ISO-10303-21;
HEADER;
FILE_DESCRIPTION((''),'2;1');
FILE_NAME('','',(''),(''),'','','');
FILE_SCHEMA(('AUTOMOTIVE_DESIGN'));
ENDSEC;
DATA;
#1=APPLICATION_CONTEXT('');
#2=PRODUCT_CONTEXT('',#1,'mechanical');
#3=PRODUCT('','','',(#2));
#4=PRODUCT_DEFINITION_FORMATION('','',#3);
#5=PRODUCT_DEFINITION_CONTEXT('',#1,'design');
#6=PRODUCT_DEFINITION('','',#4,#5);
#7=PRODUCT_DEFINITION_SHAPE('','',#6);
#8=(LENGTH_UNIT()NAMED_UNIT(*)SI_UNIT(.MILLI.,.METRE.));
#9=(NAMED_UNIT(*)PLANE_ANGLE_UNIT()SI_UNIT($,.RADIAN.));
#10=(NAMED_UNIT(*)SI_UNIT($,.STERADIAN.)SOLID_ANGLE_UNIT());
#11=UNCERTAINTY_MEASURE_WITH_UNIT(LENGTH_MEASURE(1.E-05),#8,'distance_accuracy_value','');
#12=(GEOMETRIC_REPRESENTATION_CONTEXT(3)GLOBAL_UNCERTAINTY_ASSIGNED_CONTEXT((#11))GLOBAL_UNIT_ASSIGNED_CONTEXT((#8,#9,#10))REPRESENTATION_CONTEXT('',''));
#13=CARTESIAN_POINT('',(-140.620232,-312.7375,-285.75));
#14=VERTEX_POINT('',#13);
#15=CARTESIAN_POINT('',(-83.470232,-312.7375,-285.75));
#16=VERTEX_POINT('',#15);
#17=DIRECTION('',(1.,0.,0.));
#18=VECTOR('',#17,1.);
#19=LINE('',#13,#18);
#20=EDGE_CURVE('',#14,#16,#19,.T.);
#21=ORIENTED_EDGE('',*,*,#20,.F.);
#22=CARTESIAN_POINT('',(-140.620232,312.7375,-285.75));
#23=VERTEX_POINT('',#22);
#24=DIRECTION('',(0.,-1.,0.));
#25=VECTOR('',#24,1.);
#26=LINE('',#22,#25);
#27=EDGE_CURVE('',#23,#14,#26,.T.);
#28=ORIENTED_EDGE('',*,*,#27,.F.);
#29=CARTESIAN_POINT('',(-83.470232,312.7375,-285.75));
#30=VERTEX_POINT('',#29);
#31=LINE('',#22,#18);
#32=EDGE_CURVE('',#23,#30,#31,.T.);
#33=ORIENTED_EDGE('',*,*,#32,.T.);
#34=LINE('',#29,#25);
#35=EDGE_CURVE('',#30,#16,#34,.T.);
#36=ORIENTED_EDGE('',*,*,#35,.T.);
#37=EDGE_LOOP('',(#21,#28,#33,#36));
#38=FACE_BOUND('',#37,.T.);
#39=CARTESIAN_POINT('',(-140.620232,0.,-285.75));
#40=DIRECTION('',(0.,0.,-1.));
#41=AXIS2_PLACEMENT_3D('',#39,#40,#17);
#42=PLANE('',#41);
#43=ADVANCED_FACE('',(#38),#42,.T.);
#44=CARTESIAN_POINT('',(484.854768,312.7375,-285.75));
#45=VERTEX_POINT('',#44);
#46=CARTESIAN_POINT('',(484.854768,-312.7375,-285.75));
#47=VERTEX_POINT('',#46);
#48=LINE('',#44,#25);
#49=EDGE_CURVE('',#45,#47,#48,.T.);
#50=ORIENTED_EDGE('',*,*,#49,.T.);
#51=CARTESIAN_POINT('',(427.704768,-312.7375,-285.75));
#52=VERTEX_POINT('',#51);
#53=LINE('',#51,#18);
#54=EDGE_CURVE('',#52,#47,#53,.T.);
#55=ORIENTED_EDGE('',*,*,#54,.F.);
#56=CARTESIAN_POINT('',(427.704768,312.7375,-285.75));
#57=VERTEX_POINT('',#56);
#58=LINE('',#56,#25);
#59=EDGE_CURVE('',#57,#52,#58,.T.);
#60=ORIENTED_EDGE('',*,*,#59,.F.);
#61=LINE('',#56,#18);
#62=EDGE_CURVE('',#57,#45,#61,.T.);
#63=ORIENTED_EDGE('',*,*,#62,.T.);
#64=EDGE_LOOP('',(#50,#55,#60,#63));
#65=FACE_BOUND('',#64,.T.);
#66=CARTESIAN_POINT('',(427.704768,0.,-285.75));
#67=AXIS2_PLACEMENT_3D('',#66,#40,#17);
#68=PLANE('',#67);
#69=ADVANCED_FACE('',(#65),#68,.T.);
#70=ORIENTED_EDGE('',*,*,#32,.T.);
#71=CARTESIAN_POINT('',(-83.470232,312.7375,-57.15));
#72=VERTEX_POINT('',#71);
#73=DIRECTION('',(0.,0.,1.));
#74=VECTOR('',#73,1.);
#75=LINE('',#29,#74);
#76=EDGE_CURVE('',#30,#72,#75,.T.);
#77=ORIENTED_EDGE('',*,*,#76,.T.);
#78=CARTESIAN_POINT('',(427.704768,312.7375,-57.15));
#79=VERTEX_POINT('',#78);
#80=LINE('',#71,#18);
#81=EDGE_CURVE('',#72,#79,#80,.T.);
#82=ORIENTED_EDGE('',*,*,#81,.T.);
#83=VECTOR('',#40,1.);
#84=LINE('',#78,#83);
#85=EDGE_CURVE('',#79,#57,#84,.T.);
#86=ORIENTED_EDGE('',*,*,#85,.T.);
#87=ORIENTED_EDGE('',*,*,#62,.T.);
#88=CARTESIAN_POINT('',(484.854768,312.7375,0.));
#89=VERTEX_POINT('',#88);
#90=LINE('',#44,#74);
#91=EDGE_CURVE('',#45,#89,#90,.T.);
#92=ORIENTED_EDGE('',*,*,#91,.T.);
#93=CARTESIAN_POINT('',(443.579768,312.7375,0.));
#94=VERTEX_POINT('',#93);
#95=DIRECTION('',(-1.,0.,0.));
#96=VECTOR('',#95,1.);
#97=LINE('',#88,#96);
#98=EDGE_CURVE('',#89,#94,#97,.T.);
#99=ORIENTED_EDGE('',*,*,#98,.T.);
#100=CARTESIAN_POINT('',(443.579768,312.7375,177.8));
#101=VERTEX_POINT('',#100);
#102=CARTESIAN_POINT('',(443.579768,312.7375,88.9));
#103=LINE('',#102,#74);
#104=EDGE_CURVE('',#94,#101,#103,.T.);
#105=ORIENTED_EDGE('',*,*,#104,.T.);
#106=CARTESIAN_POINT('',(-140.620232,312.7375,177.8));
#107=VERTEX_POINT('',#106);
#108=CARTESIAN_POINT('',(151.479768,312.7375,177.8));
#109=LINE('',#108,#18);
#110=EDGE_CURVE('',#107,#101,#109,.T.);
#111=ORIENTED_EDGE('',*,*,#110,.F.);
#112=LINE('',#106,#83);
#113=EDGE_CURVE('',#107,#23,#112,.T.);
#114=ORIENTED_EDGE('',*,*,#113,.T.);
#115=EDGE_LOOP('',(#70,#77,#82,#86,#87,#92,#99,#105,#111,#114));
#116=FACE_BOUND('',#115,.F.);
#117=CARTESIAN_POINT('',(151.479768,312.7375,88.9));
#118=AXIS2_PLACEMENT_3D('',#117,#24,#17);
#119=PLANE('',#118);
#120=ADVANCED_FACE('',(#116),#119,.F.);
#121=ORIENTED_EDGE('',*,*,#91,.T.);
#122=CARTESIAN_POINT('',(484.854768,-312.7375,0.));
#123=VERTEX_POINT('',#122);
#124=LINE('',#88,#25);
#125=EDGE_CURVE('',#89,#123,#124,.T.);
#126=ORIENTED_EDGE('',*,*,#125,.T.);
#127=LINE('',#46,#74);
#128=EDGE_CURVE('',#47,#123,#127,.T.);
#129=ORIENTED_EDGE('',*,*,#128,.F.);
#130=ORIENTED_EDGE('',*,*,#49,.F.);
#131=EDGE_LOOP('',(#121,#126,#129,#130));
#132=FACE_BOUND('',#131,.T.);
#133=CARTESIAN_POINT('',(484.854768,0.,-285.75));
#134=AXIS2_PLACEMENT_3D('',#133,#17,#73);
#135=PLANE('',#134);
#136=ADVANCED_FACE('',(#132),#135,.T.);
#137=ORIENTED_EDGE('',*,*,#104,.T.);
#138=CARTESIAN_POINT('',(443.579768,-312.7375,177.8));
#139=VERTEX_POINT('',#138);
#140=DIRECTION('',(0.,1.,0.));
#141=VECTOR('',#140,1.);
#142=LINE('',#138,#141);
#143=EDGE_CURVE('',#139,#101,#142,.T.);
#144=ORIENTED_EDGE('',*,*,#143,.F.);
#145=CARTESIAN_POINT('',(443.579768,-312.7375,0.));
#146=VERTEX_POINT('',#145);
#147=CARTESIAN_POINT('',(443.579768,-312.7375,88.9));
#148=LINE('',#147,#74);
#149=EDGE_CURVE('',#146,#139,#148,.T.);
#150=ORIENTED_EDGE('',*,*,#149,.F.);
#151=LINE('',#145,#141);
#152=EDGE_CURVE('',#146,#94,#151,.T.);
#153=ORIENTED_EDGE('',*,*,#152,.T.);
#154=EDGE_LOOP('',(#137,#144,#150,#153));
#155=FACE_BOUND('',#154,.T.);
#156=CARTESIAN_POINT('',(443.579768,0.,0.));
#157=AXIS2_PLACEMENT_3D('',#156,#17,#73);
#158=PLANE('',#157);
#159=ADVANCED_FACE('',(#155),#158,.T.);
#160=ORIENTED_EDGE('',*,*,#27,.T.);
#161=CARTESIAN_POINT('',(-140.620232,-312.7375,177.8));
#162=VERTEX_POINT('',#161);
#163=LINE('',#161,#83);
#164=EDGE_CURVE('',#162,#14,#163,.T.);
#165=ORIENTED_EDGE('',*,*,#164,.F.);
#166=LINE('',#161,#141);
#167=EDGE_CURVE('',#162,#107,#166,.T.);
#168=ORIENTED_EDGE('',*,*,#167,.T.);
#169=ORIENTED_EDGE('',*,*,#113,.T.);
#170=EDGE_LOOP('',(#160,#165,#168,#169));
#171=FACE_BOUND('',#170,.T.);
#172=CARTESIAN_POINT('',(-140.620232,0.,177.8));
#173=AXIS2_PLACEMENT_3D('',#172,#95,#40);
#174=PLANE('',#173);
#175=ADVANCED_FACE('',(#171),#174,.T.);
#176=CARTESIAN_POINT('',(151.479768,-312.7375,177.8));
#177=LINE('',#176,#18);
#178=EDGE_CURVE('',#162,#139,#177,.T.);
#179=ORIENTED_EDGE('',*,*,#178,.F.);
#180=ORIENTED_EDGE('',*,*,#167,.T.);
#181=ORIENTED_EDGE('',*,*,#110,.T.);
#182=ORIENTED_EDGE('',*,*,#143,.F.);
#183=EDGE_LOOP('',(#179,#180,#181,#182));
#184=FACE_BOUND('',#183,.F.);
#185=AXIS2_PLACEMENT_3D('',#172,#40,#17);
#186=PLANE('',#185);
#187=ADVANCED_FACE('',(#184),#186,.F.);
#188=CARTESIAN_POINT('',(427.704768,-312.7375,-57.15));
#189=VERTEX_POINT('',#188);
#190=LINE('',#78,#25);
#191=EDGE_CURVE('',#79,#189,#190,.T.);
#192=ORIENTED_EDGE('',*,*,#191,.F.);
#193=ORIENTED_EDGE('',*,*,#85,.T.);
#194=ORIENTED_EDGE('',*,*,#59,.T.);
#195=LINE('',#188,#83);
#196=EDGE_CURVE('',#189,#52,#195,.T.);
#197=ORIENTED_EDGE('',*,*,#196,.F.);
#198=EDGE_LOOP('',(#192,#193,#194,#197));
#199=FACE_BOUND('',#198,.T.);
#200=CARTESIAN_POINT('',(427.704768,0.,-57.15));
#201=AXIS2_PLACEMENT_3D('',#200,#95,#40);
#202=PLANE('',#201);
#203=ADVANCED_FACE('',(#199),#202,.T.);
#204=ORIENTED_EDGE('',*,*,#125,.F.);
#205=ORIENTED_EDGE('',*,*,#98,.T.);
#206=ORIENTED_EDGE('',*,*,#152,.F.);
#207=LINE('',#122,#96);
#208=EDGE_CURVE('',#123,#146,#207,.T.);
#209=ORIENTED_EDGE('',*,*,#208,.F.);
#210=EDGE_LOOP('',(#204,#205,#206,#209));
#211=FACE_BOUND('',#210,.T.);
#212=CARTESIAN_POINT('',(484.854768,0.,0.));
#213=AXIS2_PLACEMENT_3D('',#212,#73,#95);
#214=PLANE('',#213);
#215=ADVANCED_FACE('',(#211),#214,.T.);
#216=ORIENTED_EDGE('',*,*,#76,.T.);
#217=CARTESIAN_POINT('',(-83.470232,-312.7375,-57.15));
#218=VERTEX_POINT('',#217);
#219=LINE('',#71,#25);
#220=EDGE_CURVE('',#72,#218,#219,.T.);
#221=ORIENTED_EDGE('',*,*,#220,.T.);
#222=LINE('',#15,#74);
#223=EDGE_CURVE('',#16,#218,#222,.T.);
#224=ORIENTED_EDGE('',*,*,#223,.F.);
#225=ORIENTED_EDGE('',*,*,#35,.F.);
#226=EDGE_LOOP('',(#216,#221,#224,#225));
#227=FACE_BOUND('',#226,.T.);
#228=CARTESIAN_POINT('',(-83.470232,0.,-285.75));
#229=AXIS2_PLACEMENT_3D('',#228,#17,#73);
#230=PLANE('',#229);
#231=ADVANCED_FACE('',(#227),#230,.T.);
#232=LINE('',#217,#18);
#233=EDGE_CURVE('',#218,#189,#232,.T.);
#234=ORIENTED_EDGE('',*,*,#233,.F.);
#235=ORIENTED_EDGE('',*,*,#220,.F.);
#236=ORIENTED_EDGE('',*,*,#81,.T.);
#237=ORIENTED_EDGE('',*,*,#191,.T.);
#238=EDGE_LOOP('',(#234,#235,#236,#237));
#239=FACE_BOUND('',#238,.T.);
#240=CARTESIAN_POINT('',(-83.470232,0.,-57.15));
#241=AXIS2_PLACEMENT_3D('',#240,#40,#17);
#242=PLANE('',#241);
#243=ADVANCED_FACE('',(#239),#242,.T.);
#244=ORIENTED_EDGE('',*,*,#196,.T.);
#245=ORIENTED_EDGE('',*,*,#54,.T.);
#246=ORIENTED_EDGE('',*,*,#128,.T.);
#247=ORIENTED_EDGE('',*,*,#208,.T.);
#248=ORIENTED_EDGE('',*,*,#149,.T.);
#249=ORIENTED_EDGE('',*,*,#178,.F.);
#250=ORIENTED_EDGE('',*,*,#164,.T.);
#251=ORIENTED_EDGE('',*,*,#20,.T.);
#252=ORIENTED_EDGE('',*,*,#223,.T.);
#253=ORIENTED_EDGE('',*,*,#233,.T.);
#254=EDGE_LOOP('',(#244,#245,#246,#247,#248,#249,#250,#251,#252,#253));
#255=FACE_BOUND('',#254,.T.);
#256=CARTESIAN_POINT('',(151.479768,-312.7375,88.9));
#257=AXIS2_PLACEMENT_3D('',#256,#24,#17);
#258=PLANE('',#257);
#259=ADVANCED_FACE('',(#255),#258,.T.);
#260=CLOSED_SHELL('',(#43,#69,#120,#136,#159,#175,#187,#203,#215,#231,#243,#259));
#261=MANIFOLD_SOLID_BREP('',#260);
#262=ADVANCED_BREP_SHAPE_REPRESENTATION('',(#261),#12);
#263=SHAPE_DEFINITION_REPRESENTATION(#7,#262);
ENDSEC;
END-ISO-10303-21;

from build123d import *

# Parameters (mm, degrees)
F0_W     = 584.2
F0_H     = 177.8
F1_DEPTH = 312.7375


with BuildPart() as f1:
    # F0 (on Front) → F1 (new body, symmetric)
    with BuildSketch(Plane.XZ):
        with Locations((151.479768, 88.9)):
            Rectangle(F0_W, F0_H)
        Polygon((443.579768, 0), (-140.620232, 0), (-140.620232, -285.75), (-83.470232, -285.75), (-83.470232, -57.15), (427.704768, -57.15), (427.704768, -285.75), (484.854768, -285.75), (484.854768, 0), align=None)
    extrude(amount=F1_DEPTH, both=True)


solid = f1.part
